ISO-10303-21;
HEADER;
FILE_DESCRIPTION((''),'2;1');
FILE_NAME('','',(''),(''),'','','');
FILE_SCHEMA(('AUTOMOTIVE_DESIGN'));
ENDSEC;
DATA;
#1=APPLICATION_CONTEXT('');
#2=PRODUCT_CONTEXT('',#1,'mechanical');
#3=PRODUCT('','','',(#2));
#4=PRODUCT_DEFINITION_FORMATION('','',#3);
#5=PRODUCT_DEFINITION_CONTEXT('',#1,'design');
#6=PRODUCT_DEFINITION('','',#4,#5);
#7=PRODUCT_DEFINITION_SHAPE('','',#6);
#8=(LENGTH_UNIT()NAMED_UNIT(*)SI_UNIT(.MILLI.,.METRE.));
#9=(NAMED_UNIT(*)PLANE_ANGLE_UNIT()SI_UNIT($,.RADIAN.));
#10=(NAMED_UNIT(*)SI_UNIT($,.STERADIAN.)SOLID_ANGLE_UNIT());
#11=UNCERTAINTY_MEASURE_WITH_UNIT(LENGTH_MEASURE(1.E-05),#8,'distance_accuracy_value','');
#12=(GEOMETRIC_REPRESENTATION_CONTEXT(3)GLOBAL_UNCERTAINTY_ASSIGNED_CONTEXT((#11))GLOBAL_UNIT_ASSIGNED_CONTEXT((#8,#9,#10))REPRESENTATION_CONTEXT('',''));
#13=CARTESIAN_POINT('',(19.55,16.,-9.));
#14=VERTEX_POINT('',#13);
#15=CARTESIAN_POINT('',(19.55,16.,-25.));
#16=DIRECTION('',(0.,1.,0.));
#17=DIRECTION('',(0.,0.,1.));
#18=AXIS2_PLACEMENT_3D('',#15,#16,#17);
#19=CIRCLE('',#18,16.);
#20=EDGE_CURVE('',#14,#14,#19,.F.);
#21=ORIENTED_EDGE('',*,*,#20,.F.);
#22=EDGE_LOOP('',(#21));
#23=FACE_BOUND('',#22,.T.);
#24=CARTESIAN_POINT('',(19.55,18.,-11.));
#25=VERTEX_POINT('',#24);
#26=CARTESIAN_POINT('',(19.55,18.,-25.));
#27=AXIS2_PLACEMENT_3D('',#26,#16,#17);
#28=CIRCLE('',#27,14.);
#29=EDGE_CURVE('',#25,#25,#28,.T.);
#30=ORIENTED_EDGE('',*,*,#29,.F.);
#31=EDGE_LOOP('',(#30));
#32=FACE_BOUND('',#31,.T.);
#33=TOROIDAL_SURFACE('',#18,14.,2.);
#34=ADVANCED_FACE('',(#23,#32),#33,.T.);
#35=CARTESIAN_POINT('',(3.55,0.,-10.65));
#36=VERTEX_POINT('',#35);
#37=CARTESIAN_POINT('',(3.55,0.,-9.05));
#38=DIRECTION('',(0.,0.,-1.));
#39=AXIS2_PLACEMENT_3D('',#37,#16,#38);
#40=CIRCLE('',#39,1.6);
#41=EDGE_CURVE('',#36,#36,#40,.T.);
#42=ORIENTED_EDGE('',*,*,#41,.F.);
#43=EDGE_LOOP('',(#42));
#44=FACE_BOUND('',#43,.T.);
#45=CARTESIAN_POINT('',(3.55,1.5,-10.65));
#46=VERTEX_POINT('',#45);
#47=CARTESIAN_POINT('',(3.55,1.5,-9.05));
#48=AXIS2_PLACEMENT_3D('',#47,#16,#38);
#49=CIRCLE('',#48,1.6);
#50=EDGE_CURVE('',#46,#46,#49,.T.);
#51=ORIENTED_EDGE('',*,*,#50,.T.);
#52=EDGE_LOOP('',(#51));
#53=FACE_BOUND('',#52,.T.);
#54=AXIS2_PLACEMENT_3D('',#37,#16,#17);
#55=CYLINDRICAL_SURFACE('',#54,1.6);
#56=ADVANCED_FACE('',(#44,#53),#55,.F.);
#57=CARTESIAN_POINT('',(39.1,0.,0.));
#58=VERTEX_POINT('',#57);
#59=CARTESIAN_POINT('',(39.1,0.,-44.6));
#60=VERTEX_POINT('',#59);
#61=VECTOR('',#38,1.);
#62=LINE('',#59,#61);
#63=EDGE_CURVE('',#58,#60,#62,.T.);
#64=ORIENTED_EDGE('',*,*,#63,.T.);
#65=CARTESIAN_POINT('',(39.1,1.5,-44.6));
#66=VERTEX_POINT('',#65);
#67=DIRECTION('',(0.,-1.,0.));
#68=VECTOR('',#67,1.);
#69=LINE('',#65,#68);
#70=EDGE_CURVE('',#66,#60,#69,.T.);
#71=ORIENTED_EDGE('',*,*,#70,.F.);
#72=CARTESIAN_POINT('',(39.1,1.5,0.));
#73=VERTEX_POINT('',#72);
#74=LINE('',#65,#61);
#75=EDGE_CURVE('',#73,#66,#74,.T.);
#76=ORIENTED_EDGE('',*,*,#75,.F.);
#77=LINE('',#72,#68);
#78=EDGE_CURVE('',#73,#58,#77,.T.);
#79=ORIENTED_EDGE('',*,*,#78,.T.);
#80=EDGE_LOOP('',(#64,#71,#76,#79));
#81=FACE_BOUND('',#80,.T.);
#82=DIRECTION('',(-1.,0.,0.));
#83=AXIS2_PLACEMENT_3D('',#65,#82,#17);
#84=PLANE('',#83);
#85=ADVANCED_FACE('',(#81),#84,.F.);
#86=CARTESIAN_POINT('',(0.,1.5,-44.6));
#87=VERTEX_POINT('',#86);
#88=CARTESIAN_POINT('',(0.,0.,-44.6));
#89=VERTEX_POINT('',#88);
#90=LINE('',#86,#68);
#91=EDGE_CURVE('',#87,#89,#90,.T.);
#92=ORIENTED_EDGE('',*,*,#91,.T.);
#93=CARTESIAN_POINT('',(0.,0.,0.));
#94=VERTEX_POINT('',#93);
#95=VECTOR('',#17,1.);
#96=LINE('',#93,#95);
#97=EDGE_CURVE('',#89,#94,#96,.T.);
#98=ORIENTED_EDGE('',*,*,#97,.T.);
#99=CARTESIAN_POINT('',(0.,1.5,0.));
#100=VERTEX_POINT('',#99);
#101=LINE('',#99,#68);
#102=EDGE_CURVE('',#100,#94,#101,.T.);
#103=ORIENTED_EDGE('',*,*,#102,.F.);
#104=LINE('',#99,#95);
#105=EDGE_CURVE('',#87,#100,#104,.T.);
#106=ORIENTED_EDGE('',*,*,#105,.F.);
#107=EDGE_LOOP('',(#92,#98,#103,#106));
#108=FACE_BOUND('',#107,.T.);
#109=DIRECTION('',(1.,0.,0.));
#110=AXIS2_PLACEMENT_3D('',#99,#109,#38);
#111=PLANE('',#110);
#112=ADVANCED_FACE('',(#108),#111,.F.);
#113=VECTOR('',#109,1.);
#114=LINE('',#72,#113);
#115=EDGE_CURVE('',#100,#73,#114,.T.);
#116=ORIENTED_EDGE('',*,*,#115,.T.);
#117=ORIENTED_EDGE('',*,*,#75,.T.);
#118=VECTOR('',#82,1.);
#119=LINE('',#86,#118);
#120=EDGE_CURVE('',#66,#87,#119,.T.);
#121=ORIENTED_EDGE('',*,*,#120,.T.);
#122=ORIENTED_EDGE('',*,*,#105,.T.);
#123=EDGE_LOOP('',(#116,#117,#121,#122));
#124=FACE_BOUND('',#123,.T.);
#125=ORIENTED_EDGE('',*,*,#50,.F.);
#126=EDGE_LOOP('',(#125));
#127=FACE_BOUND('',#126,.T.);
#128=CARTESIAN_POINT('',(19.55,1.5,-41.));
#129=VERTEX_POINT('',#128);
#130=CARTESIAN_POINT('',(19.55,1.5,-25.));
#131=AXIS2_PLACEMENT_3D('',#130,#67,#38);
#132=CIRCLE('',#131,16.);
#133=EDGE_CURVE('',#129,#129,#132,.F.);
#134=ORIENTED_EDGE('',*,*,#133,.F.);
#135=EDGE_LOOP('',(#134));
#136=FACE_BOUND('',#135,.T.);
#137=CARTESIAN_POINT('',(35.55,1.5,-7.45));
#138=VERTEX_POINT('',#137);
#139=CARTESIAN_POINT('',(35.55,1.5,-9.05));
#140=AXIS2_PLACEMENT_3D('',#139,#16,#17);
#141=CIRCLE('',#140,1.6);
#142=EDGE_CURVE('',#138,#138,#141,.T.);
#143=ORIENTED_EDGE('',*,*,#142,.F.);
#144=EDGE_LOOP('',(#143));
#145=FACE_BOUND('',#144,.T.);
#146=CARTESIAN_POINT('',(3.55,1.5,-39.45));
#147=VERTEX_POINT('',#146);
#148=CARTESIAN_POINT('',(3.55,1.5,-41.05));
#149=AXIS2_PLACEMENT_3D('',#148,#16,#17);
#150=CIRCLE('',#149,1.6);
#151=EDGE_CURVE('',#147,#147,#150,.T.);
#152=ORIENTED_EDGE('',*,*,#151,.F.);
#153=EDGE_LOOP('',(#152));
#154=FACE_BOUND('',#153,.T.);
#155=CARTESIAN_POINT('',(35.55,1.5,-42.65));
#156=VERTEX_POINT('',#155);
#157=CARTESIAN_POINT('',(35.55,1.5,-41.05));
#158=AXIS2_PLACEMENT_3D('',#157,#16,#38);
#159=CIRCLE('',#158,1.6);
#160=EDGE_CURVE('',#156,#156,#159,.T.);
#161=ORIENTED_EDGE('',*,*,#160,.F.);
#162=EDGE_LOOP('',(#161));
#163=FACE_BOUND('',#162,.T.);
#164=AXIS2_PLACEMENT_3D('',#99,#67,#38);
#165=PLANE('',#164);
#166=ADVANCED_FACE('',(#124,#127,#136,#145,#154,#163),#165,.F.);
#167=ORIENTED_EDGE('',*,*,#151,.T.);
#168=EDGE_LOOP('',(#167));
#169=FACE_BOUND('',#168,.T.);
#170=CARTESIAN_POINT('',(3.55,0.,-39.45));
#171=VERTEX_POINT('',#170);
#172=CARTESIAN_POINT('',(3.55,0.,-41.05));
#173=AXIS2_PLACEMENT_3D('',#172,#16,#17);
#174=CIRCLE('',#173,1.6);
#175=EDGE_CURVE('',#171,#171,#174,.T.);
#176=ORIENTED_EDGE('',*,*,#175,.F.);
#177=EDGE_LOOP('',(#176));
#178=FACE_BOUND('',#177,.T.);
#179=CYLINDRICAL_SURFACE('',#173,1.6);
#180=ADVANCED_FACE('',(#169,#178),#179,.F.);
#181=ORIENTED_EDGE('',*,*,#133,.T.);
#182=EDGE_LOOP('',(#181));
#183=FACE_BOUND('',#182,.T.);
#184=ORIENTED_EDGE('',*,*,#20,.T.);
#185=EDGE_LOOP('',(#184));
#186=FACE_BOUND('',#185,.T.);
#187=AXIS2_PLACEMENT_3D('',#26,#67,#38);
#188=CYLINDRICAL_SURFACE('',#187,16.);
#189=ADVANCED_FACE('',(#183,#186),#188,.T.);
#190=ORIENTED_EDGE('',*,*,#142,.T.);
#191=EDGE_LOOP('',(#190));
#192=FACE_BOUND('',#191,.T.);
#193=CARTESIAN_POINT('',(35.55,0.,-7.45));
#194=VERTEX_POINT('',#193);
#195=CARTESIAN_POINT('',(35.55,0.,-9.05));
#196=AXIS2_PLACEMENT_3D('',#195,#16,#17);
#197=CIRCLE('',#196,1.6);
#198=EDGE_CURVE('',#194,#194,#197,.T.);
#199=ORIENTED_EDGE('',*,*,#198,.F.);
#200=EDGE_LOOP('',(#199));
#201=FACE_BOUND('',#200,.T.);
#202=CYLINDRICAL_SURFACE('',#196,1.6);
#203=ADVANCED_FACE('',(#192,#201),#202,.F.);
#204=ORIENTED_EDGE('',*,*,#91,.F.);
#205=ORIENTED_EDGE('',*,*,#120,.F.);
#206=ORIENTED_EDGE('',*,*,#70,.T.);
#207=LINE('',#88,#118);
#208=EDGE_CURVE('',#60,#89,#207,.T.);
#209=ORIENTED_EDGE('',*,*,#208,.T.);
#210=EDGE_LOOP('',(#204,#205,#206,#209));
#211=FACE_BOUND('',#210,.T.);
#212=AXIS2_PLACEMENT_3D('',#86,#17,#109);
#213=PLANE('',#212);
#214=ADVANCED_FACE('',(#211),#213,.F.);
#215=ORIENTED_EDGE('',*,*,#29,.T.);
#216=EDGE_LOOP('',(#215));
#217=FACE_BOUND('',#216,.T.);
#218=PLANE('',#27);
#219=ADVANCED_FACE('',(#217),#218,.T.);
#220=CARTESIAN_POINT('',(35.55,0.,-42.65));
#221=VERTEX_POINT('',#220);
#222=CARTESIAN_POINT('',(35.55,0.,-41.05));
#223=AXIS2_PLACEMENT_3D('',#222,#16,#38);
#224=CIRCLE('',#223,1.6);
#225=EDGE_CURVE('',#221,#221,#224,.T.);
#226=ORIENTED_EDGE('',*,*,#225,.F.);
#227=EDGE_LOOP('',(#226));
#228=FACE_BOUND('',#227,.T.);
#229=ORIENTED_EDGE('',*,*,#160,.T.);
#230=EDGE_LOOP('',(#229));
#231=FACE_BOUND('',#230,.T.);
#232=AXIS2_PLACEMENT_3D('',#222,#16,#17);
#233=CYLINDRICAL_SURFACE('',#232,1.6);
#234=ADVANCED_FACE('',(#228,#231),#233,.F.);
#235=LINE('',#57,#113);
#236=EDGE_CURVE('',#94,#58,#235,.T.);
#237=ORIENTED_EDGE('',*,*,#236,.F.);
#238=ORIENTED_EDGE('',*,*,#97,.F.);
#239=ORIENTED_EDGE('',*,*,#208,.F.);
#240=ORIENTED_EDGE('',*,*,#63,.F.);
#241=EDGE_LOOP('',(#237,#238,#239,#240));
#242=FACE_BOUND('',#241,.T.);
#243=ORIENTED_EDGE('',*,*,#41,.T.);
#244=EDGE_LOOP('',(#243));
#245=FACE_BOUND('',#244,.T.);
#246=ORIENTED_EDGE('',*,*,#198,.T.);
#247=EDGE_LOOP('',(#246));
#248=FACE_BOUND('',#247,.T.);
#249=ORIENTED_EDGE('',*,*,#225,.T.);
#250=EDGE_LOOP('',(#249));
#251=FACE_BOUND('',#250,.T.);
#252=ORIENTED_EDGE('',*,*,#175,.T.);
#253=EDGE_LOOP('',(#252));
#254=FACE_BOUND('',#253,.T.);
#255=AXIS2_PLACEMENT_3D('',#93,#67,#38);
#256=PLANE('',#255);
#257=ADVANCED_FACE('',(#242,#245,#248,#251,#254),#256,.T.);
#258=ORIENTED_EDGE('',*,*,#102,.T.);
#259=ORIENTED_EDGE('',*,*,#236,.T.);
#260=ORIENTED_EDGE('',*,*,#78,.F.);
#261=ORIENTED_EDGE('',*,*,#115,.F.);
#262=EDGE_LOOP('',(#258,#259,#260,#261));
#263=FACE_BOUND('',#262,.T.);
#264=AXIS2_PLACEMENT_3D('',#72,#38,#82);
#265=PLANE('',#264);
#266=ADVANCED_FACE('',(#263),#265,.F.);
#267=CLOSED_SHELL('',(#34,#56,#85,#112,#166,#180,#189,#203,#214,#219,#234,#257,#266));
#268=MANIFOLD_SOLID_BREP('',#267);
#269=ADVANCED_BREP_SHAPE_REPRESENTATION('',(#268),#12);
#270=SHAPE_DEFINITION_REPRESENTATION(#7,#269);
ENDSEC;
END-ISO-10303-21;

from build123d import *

# Parameters (mm, degrees)
SKETCH1_W           = 39.1
SKETCH1_H           = 44.6
BOSS_EXTRUDE1_DEPTH = 1.5
SKETCH2_R           = 1.6
CUT_EXTRUDE1_DEPTH  = 1.5
SKETCH3_R           = 16
BOSS_EXTRUDE2_DEPTH = 16.5
FILLET1_R           = 2


with BuildPart() as part:
    # Sketch1 → Boss-Extrude1 (new body)
    with BuildSketch(Plane(origin=(0, 0, 0), x_dir=(1, 0, 0), z_dir=(0, 1, 0))):
        with Locations((19.55, 22.3)):
            Rectangle(SKETCH1_W, SKETCH1_H)
    extrude(amount=BOSS_EXTRUDE1_DEPTH)

    # Sketch2 → Cut-Extrude1 (cut)
    with BuildSketch(Plane(origin=(0, 1.5, 0), x_dir=(1, 0, 0), z_dir=(0, 1, 0))):
        with Locations((35.55, 9.05)):
            Circle(SKETCH2_R)
        with Locations((35.55, 41.05)):
            Circle(SKETCH2_R)
        with Locations((3.55, 41.05)):
            Circle(SKETCH2_R)
        with Locations((3.55, 9.05)):
            Circle(SKETCH2_R)
    extrude(amount=-CUT_EXTRUDE1_DEPTH, mode=Mode.SUBTRACT)

    # Sketch3 → Boss-Extrude2 (add)
    with BuildSketch(Plane(origin=(0, 1.5, 0), x_dir=(1, 0, 0), z_dir=(0, 1, 0))):
        with Locations((19.55, 25)):
            Circle(SKETCH3_R)
    extrude(amount=BOSS_EXTRUDE2_DEPTH)

    # Fillet1
    fillet1_edges = [part.edges().sort_by_distance(p)[0] for p in [
        (3.55, 18, -25),
    ]]
    fillet(fillet1_edges, radius=FILLET1_R)


solid = part.part
